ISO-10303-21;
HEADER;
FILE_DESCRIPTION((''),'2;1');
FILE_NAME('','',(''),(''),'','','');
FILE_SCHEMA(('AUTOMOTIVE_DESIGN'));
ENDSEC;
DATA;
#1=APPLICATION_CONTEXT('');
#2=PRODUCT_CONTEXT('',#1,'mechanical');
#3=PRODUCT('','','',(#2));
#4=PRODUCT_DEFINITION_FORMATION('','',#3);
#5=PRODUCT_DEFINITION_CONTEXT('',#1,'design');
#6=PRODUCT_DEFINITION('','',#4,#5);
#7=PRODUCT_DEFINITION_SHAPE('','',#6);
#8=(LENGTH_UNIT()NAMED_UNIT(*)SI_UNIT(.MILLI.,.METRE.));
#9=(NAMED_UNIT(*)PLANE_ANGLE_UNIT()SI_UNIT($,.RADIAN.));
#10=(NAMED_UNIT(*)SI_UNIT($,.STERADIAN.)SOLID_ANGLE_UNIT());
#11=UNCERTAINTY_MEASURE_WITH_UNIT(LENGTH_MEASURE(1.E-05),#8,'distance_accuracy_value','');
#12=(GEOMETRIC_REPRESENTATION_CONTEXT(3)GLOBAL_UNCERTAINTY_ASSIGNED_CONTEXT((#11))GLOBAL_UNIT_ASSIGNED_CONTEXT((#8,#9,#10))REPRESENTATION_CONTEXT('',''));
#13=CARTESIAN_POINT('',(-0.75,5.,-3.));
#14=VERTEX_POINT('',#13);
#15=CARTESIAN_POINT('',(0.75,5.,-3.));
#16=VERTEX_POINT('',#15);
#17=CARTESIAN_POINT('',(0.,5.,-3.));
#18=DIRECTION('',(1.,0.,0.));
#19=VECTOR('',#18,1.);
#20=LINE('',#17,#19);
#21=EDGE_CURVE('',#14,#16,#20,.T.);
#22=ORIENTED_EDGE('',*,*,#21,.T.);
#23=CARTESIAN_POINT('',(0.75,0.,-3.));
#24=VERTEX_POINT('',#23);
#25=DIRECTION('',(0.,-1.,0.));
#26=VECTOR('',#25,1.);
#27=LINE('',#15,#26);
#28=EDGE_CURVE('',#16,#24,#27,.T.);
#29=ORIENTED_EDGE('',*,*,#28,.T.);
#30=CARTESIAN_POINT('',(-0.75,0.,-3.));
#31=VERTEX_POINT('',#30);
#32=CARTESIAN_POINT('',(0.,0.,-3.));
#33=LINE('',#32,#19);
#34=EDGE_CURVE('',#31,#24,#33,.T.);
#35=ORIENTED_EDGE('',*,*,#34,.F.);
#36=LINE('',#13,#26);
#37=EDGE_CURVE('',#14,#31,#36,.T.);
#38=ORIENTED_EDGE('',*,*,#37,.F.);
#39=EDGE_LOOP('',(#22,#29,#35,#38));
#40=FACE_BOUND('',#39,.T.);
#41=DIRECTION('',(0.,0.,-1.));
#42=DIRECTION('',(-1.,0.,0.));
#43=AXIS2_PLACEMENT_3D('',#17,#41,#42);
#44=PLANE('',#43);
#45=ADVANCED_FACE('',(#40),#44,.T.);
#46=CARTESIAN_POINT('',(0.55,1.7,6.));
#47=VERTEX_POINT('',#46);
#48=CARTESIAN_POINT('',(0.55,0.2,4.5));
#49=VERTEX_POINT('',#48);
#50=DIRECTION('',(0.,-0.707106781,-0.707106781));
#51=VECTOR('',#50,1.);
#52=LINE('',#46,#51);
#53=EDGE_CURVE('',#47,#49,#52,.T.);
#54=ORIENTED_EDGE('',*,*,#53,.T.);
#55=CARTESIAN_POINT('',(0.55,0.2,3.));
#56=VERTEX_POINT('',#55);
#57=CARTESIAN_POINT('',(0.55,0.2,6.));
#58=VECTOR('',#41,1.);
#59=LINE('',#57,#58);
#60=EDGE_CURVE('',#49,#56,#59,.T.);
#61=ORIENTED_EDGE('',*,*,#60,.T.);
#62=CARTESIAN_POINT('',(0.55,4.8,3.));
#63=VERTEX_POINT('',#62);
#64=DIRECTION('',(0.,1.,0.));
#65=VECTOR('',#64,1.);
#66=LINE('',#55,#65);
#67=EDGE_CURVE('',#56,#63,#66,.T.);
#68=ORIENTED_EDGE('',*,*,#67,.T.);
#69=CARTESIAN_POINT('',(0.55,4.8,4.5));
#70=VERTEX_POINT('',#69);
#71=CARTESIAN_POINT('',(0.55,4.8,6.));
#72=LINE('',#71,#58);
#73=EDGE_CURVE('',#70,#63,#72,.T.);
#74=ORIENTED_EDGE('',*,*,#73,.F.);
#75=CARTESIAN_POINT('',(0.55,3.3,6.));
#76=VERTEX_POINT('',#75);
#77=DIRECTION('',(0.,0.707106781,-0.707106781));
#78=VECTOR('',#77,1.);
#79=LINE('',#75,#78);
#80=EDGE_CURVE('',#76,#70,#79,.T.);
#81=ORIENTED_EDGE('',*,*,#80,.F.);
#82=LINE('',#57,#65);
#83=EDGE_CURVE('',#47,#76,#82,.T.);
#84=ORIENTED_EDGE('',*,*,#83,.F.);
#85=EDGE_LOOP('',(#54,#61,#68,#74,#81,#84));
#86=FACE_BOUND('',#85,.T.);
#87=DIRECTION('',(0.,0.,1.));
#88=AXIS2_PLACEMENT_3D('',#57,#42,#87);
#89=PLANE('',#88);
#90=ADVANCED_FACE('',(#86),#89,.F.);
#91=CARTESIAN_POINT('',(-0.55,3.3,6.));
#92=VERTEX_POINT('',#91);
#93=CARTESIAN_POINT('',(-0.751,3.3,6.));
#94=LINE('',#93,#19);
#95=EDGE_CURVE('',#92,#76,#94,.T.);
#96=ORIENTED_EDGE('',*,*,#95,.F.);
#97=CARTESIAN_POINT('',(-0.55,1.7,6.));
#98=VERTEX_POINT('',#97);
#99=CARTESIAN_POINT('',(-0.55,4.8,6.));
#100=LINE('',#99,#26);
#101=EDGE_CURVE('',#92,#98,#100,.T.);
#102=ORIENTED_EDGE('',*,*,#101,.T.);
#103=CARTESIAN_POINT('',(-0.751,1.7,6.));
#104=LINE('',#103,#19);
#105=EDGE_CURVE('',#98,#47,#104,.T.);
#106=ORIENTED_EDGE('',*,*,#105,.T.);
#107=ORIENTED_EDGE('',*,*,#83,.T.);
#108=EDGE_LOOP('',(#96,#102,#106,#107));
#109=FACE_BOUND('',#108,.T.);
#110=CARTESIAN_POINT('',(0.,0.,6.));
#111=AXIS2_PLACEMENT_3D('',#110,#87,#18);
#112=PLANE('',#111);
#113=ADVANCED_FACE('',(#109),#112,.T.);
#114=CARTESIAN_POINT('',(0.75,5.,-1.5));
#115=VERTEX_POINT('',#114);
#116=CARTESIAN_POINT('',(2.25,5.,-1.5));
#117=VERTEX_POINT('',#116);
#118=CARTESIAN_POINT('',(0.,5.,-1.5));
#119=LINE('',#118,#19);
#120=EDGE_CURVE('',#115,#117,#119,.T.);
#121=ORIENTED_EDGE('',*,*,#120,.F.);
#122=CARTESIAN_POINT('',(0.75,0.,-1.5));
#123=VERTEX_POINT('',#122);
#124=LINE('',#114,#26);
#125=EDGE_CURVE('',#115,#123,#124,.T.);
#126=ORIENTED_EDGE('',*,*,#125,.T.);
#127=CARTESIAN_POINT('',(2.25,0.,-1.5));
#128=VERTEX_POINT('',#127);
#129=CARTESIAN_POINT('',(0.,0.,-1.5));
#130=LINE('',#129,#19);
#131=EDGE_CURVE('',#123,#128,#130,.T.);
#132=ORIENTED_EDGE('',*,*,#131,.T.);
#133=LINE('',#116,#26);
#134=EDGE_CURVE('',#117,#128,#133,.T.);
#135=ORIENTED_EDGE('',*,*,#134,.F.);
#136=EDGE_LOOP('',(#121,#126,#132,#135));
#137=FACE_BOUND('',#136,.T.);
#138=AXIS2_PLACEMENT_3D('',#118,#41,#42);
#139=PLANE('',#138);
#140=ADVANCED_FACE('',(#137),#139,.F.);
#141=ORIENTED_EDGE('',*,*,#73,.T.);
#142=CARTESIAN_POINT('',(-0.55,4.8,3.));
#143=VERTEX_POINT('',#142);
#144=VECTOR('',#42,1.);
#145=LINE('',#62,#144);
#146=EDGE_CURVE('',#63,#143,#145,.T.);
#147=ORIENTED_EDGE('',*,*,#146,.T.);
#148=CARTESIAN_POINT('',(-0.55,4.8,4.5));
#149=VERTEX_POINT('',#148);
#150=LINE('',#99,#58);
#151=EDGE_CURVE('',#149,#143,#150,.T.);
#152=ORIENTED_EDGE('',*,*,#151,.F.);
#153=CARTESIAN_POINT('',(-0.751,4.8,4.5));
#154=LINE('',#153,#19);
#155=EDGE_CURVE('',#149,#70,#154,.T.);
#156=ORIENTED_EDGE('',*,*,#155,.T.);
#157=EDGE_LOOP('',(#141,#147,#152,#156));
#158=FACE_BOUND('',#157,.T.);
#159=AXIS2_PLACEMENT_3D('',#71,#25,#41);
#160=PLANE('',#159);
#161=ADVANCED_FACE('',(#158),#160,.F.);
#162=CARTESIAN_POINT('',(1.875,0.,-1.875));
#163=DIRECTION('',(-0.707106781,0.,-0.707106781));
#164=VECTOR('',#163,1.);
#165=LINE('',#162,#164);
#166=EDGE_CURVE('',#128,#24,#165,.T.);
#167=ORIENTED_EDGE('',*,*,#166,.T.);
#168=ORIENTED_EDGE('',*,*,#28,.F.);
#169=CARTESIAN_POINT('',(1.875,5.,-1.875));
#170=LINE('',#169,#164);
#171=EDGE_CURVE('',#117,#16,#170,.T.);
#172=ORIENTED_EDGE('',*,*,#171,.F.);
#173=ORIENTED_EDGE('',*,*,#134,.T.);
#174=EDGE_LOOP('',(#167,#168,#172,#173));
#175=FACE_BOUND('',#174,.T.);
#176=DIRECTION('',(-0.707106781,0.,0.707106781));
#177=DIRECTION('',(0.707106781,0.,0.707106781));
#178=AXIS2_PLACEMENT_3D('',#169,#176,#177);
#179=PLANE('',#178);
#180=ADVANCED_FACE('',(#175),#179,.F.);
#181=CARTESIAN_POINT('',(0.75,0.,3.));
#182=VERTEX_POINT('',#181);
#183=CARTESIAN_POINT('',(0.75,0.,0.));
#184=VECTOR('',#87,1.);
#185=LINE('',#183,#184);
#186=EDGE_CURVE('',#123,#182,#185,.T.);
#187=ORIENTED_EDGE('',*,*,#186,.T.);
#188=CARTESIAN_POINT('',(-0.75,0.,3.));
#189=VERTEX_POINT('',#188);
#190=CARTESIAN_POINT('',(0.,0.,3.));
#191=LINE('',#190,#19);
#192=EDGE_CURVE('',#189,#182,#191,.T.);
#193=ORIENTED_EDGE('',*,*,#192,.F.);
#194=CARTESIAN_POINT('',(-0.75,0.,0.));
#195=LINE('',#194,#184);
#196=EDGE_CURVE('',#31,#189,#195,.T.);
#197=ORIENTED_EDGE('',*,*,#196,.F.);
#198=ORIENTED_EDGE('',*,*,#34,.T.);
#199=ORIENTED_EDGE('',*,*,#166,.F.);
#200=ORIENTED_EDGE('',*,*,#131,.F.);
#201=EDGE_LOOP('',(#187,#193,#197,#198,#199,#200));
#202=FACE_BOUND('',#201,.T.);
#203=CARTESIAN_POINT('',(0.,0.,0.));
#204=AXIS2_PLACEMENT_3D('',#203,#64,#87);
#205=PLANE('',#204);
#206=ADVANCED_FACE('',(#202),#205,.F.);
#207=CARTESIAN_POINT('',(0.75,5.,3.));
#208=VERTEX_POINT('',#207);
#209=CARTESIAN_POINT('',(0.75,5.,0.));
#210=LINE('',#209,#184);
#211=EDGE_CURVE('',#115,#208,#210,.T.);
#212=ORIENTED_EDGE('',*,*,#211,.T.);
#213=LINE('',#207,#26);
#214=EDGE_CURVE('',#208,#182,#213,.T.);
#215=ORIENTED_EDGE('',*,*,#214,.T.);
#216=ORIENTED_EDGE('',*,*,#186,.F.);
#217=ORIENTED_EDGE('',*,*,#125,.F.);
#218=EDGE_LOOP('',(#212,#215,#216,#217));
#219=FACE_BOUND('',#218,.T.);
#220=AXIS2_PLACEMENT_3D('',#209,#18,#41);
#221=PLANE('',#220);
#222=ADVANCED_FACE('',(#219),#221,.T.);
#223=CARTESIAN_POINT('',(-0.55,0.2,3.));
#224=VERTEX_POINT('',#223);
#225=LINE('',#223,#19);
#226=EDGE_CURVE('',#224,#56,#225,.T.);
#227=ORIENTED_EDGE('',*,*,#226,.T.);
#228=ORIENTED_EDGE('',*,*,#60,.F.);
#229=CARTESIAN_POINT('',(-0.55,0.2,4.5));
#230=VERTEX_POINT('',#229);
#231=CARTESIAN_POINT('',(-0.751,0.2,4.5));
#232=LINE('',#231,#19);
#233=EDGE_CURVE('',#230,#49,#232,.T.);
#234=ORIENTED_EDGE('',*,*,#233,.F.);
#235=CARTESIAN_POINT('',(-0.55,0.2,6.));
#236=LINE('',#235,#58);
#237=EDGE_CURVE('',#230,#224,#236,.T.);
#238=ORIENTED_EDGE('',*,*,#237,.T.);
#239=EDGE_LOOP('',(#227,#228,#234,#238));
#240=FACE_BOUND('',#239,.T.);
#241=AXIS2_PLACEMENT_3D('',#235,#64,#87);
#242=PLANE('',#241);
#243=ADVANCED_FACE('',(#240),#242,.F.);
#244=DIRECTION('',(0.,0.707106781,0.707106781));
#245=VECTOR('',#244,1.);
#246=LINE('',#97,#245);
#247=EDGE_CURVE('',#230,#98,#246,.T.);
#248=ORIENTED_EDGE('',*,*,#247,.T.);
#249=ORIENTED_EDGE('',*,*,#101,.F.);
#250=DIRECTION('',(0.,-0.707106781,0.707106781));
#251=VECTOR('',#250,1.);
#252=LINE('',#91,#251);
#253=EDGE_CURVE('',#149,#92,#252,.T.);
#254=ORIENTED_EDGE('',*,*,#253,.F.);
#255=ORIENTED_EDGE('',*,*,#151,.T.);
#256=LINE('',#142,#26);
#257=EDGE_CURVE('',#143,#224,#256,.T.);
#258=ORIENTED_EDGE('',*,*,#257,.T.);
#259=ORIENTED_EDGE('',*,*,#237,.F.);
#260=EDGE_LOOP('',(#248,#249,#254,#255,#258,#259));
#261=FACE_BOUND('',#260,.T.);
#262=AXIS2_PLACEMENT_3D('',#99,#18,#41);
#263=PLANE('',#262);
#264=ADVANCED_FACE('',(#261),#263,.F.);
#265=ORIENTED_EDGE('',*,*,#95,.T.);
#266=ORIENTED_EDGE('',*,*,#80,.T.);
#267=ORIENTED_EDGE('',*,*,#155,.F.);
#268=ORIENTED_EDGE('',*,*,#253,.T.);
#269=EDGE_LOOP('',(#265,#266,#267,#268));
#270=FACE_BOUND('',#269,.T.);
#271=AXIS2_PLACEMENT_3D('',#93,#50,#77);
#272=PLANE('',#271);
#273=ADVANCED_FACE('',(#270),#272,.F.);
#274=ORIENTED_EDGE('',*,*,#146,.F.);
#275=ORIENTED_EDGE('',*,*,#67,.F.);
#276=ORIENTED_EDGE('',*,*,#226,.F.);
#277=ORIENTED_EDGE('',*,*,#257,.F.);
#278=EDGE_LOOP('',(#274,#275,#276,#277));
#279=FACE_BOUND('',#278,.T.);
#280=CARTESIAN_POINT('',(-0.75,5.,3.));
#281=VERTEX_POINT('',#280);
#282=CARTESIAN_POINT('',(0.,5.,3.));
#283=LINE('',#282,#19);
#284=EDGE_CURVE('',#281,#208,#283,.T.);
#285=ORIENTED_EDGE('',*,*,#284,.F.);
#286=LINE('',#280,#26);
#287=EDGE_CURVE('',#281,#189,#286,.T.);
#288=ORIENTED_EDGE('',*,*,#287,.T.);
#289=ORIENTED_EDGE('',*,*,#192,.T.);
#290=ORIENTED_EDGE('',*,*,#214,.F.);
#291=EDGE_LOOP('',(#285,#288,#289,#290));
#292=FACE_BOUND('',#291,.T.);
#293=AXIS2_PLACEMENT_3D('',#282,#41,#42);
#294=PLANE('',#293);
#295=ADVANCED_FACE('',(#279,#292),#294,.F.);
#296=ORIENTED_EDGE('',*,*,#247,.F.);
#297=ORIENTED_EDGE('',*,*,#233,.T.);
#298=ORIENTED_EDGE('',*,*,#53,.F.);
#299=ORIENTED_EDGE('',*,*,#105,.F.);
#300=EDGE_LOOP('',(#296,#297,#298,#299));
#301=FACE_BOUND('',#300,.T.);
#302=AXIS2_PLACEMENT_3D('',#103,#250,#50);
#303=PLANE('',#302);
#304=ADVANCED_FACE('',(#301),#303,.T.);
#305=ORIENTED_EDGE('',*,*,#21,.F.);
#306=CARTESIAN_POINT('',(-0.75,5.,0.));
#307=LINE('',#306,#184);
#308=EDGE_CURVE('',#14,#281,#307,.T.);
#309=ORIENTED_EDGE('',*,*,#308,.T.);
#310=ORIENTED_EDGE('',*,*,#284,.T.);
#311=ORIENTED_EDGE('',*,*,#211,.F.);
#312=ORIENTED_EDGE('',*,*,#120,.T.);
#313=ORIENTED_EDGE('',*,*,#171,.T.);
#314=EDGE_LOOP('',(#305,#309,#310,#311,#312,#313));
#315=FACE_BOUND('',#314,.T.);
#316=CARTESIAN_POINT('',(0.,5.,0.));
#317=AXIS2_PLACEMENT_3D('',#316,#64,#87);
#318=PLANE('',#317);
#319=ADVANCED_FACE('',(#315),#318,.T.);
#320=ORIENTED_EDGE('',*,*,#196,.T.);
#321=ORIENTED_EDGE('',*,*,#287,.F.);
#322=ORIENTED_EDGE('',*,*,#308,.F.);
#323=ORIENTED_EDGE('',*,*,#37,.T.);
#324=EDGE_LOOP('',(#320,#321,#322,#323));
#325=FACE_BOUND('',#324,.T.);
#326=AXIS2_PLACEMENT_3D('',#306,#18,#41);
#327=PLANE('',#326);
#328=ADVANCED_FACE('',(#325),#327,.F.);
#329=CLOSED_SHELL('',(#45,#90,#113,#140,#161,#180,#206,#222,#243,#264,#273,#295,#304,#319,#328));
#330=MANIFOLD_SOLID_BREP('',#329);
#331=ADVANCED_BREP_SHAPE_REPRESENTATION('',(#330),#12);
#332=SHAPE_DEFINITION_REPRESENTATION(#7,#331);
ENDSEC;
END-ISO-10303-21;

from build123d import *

# Parameters (mm, degrees)
BOSS_EXTRUDE1_DEPTH = 5
SKETCH2_W           = 1.1
SKETCH2_H           = 4.6
BOSS_EXTRUDE2_DEPTH = 3
CUT_EXTRUDE1_REACH  = 9.993


with BuildPart() as part:
    # Sketch1 → Boss-Extrude1 (new body)
    with BuildSketch(Plane(origin=(0, 0, 0), x_dir=(1, 0, 0), z_dir=(0, 1, 0))):
        Polygon((0.75, 1.5), (2.25, 1.5), (0.75, 3), (-0.75, 3), (-0.75, -3), (-0.7, -3), (0.7, -3), (0.75, -3), align=None)
    extrude(amount=BOSS_EXTRUDE1_DEPTH)

    # Sketch2 → Boss-Extrude2 (add)
    with BuildSketch(Plane.XY.offset(3)):
        with Locations((0, 2.5)):
            Rectangle(SKETCH2_W, SKETCH2_H)
    extrude(amount=BOSS_EXTRUDE2_DEPTH)

    # Sketch3 → Cut-Extrude1 (cut, up to next)
    with BuildSketch(Plane(origin=(0.55, 0, 0), x_dir=(0, 0, -1), z_dir=(1, 0, 0)), mode=Mode.PRIVATE) as cut_extrude1_sk1:
        Polygon((-6, 3.3), (-4.5, 4.8), (-6, 4.8), align=None)
    cut_extrude1_tool1 = extrude(cut_extrude1_sk1.sketch, amount=-CUT_EXTRUDE1_REACH, mode=Mode.PRIVATE) & part.part
    cut_extrude1 = cut_extrude1_tool1.solids().sort_by_distance((0.55, 4.3, 5.5))[0]
    add(cut_extrude1, mode=Mode.SUBTRACT)

    # Mirror1: Cut-Extrude1 across plane
    add(cut_extrude1.mirror(Plane.ZX.offset(2.5)), mode=Mode.SUBTRACT)


solid = part.part
